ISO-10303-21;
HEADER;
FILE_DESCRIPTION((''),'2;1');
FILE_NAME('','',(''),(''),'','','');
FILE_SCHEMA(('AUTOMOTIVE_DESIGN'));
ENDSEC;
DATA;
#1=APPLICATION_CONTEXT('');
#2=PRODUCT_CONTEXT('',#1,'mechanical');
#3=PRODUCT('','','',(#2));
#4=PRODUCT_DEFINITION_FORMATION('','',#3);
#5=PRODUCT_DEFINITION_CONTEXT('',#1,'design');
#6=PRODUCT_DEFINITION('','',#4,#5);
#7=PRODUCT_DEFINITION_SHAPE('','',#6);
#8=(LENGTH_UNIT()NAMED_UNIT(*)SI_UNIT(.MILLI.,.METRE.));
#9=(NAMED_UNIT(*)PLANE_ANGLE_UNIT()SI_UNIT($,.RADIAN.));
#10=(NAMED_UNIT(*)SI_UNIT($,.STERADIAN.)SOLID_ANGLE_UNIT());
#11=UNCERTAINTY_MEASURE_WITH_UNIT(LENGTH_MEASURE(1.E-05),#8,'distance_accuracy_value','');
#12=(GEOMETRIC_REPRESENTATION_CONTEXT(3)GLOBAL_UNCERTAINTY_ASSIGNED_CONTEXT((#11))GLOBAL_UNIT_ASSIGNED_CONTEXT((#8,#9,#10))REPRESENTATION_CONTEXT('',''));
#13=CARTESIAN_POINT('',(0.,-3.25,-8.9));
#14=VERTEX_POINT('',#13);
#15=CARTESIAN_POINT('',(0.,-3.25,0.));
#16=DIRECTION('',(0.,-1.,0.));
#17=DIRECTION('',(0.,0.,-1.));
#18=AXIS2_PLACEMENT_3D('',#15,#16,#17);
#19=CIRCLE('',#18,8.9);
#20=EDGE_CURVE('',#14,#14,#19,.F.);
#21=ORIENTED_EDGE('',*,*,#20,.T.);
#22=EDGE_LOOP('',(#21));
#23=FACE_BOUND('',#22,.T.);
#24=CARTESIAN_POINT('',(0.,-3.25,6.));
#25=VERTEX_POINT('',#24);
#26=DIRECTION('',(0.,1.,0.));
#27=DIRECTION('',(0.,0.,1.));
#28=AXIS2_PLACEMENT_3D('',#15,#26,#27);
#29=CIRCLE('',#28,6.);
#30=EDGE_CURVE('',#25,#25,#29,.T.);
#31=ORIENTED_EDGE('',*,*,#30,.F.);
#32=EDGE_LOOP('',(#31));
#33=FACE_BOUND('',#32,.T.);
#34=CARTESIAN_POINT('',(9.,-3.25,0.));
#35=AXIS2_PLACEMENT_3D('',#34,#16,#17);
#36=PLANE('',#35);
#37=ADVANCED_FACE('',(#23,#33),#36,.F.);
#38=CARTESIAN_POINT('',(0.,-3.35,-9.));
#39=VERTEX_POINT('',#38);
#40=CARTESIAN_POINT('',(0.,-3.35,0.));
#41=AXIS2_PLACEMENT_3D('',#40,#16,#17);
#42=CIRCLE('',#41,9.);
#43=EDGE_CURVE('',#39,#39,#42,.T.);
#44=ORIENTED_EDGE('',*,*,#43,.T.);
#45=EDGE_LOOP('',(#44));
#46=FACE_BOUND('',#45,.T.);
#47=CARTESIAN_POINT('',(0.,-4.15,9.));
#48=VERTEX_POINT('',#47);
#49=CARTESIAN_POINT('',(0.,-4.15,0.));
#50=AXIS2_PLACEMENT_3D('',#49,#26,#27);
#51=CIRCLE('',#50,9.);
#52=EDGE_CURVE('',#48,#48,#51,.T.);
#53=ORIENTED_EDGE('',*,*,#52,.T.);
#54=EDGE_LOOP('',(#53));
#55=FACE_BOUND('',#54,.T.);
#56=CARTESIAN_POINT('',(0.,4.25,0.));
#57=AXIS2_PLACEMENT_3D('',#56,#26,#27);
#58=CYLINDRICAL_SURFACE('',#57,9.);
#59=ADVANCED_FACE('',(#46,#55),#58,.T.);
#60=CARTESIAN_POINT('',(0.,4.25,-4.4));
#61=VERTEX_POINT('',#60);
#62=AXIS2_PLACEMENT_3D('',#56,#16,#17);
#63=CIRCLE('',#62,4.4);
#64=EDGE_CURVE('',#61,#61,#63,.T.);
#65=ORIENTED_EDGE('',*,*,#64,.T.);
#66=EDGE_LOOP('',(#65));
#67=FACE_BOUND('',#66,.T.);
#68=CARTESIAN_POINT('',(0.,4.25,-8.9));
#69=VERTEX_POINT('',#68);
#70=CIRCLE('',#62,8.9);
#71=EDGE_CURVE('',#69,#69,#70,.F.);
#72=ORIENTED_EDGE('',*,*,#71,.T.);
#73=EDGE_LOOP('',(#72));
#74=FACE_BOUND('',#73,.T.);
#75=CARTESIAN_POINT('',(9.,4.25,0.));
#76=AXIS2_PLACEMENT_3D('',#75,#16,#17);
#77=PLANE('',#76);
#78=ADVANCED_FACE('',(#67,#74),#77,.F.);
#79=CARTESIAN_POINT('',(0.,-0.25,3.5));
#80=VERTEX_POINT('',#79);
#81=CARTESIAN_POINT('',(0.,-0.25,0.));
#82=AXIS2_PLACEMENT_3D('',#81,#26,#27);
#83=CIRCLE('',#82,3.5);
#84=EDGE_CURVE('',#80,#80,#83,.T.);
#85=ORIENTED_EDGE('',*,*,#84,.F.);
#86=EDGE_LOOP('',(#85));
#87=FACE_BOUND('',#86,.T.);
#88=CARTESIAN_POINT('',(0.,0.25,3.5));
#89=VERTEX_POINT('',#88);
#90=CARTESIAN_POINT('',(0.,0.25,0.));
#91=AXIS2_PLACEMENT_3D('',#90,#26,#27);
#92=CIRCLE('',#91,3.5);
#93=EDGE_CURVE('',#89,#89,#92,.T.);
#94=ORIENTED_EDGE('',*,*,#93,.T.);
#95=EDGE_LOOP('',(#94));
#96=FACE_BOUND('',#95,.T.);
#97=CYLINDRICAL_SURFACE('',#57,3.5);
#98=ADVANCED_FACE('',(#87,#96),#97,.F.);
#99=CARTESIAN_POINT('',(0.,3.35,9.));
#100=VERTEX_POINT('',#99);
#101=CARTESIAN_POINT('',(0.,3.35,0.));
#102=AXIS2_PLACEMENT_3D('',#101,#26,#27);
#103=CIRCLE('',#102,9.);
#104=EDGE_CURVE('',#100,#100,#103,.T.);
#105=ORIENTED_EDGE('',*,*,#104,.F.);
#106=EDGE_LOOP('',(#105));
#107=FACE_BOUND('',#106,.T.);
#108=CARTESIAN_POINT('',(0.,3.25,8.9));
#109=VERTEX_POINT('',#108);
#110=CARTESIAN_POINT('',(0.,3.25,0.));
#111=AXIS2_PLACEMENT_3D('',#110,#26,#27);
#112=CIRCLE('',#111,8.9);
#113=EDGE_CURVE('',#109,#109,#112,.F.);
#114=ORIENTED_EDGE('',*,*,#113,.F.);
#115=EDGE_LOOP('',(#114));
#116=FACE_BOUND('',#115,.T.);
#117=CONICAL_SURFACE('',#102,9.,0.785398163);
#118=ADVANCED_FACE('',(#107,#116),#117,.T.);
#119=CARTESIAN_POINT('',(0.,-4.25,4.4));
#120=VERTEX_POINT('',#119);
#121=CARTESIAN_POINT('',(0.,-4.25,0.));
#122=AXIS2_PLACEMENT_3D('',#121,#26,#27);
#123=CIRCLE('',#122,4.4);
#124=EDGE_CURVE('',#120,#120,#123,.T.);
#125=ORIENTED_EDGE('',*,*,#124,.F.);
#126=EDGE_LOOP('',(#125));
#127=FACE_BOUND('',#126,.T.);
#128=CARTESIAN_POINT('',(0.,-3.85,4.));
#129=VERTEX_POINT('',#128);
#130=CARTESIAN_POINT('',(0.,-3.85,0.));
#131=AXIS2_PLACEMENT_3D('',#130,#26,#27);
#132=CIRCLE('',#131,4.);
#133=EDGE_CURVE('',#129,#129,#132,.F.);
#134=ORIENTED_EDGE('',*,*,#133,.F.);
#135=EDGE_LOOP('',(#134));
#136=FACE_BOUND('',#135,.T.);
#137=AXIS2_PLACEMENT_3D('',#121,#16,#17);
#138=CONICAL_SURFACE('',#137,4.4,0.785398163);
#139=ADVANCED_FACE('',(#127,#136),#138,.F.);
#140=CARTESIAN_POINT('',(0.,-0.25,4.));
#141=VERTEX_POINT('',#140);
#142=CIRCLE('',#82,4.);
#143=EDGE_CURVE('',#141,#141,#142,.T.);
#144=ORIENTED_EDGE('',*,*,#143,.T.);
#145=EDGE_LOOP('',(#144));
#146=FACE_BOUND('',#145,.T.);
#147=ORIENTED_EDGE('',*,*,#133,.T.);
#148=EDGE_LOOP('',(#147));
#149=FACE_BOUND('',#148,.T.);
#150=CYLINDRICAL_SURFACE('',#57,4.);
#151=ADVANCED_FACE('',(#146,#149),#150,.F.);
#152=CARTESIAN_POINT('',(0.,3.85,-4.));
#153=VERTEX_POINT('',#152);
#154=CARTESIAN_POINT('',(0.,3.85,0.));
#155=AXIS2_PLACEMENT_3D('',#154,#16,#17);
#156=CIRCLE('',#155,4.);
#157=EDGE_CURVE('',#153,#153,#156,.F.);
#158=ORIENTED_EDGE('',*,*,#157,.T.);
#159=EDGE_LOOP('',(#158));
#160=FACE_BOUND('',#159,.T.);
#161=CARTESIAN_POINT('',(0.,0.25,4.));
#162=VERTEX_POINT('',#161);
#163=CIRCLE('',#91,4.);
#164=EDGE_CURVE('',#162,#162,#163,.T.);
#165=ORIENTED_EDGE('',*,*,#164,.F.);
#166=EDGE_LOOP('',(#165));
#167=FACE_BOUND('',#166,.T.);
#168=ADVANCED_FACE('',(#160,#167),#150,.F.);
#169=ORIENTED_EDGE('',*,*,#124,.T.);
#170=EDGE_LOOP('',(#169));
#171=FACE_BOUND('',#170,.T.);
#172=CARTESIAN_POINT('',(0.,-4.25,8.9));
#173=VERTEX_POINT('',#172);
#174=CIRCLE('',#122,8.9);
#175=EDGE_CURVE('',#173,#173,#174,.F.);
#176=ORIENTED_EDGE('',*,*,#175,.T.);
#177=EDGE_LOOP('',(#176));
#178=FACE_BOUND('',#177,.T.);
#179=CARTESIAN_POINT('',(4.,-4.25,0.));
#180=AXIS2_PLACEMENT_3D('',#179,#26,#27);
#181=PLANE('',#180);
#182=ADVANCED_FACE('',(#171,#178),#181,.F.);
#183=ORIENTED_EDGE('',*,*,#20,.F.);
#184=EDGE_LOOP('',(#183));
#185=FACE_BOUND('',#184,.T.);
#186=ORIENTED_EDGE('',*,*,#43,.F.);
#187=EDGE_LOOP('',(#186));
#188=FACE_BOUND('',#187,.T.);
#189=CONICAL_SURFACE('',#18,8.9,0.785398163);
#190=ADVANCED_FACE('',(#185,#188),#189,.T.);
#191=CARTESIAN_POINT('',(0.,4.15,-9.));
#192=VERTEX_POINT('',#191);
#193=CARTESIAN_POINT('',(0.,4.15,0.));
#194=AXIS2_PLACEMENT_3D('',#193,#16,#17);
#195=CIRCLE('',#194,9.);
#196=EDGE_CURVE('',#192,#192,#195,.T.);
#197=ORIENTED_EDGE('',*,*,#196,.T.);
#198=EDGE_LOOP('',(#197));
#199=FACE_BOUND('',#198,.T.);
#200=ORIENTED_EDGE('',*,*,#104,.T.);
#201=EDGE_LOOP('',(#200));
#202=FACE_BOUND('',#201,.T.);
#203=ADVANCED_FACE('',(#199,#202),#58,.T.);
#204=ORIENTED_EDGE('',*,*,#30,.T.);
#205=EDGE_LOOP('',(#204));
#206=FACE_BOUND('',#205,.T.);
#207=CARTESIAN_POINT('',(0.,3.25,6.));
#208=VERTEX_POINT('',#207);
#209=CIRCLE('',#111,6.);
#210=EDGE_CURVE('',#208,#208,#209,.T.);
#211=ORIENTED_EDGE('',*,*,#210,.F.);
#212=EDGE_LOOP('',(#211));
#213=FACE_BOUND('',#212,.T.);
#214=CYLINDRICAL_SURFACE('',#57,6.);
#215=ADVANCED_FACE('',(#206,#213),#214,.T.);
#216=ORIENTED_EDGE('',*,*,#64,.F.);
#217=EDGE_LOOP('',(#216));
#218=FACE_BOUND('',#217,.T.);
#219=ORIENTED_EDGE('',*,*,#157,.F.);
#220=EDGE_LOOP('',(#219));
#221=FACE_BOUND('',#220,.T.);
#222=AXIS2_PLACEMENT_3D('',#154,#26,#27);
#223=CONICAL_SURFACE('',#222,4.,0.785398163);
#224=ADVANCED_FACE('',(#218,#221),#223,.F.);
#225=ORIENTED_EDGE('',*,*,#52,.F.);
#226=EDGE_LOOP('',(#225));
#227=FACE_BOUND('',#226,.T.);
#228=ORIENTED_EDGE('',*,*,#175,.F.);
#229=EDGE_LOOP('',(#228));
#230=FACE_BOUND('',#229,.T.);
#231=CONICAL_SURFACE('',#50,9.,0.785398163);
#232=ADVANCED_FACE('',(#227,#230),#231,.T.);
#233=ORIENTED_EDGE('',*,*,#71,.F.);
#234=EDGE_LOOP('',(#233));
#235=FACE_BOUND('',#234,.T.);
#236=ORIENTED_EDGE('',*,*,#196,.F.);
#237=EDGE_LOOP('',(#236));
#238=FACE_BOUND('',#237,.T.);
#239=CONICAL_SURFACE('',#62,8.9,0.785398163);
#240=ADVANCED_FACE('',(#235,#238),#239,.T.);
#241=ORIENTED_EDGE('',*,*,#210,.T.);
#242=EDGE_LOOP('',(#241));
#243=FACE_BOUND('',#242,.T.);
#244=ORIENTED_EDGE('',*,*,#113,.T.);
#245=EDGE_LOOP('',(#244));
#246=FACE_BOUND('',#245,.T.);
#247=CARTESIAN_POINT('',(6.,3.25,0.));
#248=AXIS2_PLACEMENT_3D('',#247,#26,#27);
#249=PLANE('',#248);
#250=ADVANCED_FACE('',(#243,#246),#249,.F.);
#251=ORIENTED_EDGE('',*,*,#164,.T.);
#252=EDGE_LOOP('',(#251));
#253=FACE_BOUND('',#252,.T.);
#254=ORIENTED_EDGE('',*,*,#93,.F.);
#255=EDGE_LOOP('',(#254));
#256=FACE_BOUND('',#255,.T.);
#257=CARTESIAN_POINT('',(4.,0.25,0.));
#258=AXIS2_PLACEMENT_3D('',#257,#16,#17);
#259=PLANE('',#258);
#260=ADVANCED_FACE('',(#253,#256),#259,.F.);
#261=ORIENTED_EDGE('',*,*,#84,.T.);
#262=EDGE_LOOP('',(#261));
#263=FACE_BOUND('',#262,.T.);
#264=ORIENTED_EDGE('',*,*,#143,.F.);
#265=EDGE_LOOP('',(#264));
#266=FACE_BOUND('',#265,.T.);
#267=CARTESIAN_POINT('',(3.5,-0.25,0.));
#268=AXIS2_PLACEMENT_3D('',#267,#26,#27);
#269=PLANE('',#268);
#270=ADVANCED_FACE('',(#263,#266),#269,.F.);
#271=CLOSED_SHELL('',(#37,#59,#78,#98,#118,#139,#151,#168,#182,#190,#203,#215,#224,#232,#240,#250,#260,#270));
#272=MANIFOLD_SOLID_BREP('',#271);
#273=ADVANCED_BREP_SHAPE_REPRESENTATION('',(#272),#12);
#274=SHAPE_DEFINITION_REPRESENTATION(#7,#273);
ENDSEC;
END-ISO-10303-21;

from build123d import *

# Parameters (mm, degrees)
INNERC_SIZE = 0.4
OUTERC_SIZE = 0.1


with BuildPart() as part:
    # BodyS → Body (revolve)
    with BuildSketch(Plane.XY):
        Polygon((6, -3.25), (6, 3.25), (9, 3.25), (9, 4.25), (4, 4.25), (4, 0.25), (3.5, 0.25), (3.5, -0.25), (4, -0.25), (4, -4.25), (9, -4.25), (9, -3.25), align=None)
    revolve(axis=Axis((0, 4.25, 0), (0, -1, 0)))

    # InnerC
    innerc_edges = [part.edges().sort_by_distance(p)[0] for p in [
        (-4, -4.25, 0),
        (-4, 4.25, 0),
    ]]
    chamfer(innerc_edges, length=INNERC_SIZE)

    # OuterC
    outerc_edges = [part.edges().sort_by_distance(p)[0] for p in [
        (-9, 4.25, 0),
        (-9, 3.25, 0),
        (-9, -3.25, 0),
        (-9, -4.25, 0),
    ]]
    chamfer(outerc_edges, length=OUTERC_SIZE)


solid = part.part
